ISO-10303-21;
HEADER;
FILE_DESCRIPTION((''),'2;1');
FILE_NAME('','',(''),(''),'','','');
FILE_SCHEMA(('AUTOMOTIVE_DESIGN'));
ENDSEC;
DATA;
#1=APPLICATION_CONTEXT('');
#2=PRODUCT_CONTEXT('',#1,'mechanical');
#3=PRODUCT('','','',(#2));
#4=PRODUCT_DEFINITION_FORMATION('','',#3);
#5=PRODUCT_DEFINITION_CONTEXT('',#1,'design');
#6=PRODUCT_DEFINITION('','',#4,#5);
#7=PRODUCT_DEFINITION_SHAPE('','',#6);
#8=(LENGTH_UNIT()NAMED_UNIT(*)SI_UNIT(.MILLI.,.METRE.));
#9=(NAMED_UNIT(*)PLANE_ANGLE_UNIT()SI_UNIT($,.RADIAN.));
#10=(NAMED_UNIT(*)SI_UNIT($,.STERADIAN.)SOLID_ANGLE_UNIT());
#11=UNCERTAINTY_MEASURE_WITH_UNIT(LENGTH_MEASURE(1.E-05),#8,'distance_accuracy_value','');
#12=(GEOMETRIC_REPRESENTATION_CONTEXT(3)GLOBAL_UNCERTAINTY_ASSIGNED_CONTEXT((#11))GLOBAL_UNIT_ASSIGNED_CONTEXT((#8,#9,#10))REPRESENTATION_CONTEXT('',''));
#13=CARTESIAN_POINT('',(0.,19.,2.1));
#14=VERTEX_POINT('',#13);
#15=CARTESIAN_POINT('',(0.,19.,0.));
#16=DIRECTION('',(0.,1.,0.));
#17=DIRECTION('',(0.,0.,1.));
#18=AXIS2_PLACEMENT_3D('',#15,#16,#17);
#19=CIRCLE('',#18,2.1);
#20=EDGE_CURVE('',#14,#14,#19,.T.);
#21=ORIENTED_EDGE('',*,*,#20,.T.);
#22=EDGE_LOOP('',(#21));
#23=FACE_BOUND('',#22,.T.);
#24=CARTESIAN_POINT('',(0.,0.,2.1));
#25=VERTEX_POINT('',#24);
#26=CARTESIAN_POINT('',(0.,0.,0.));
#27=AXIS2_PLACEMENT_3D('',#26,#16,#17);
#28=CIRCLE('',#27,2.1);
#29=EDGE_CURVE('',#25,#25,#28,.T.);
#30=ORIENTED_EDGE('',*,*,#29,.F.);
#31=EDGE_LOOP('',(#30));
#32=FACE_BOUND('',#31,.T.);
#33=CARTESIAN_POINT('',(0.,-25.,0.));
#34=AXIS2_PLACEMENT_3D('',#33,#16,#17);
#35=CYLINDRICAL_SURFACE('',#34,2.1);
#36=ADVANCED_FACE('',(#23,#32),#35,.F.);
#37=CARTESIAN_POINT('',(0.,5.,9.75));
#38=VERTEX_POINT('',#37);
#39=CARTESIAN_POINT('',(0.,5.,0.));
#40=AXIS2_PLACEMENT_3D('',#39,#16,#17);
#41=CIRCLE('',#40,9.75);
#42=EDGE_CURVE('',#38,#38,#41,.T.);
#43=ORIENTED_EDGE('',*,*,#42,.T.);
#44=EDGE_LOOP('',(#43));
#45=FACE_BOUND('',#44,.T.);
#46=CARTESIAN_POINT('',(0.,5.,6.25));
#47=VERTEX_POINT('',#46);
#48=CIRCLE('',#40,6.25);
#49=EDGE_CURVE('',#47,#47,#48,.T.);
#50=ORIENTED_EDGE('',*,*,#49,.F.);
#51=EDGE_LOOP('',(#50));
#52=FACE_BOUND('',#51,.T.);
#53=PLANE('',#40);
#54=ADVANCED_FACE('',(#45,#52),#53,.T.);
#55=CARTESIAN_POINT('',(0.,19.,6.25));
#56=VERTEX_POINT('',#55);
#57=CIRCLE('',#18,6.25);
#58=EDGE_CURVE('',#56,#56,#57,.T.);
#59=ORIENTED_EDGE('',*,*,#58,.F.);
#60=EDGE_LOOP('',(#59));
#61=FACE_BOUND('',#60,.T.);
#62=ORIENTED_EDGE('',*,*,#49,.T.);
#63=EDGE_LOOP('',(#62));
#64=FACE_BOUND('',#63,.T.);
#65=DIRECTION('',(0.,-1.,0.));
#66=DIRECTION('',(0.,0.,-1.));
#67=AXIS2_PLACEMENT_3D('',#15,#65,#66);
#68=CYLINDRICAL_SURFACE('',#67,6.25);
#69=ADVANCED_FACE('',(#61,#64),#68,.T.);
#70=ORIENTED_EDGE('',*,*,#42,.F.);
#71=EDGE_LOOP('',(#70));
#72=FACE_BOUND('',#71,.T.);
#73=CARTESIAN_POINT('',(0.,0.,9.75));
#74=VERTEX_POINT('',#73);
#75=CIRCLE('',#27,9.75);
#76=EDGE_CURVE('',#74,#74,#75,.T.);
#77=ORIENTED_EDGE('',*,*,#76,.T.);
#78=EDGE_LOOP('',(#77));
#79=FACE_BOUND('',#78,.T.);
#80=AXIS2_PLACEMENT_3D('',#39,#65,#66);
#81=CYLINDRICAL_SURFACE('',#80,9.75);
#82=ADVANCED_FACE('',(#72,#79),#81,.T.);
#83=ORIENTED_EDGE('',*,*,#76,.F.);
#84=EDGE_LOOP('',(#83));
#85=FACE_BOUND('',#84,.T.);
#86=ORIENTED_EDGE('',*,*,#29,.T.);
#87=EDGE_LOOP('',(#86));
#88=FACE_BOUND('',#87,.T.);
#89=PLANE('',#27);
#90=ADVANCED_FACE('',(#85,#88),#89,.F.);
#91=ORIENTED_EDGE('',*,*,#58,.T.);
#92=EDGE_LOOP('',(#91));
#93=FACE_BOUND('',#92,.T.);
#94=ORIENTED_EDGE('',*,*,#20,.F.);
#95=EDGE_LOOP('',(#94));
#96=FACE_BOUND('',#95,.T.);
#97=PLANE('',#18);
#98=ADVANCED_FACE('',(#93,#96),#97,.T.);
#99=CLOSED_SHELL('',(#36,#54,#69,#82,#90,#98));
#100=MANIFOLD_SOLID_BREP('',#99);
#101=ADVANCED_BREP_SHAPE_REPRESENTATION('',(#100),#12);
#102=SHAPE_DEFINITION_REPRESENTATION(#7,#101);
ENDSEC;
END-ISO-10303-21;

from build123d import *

# Parameters (mm, degrees)
CROQUIS1_R              = 9.75
SALIENTE_EXTRUIR1_DEPTH = 5
CROQUIS2_R              = 6.25
SALIENTE_EXTRUIR2_DEPTH = 14
CROQUIS3_R              = 2.1
CORTAR_EXTRUIR1_DEPTH   = 44


with BuildPart() as part:
    # Croquis1 → Saliente-Extruir1 (new body)
    with BuildSketch(Plane(origin=(0, 0, 0), x_dir=(1, 0, 0), z_dir=(0, 1, 0))):
        Circle(CROQUIS1_R)
    extrude(amount=SALIENTE_EXTRUIR1_DEPTH)

    # Croquis2 → Saliente-Extruir2 (add)
    with BuildSketch(Plane(origin=(0, 5, 0), x_dir=(1, 0, 0), z_dir=(0, 1, 0))):
        Circle(CROQUIS2_R)
    extrude(amount=SALIENTE_EXTRUIR2_DEPTH)

    # Croquis3 → Cortar-Extruir1 (cut)
    with BuildSketch(Plane(origin=(0, 19, 0), x_dir=(1, 0, 0), z_dir=(0, 1, 0))):
        Circle(CROQUIS3_R)
    extrude(amount=-CORTAR_EXTRUIR1_DEPTH, mode=Mode.SUBTRACT)


solid = part.part
